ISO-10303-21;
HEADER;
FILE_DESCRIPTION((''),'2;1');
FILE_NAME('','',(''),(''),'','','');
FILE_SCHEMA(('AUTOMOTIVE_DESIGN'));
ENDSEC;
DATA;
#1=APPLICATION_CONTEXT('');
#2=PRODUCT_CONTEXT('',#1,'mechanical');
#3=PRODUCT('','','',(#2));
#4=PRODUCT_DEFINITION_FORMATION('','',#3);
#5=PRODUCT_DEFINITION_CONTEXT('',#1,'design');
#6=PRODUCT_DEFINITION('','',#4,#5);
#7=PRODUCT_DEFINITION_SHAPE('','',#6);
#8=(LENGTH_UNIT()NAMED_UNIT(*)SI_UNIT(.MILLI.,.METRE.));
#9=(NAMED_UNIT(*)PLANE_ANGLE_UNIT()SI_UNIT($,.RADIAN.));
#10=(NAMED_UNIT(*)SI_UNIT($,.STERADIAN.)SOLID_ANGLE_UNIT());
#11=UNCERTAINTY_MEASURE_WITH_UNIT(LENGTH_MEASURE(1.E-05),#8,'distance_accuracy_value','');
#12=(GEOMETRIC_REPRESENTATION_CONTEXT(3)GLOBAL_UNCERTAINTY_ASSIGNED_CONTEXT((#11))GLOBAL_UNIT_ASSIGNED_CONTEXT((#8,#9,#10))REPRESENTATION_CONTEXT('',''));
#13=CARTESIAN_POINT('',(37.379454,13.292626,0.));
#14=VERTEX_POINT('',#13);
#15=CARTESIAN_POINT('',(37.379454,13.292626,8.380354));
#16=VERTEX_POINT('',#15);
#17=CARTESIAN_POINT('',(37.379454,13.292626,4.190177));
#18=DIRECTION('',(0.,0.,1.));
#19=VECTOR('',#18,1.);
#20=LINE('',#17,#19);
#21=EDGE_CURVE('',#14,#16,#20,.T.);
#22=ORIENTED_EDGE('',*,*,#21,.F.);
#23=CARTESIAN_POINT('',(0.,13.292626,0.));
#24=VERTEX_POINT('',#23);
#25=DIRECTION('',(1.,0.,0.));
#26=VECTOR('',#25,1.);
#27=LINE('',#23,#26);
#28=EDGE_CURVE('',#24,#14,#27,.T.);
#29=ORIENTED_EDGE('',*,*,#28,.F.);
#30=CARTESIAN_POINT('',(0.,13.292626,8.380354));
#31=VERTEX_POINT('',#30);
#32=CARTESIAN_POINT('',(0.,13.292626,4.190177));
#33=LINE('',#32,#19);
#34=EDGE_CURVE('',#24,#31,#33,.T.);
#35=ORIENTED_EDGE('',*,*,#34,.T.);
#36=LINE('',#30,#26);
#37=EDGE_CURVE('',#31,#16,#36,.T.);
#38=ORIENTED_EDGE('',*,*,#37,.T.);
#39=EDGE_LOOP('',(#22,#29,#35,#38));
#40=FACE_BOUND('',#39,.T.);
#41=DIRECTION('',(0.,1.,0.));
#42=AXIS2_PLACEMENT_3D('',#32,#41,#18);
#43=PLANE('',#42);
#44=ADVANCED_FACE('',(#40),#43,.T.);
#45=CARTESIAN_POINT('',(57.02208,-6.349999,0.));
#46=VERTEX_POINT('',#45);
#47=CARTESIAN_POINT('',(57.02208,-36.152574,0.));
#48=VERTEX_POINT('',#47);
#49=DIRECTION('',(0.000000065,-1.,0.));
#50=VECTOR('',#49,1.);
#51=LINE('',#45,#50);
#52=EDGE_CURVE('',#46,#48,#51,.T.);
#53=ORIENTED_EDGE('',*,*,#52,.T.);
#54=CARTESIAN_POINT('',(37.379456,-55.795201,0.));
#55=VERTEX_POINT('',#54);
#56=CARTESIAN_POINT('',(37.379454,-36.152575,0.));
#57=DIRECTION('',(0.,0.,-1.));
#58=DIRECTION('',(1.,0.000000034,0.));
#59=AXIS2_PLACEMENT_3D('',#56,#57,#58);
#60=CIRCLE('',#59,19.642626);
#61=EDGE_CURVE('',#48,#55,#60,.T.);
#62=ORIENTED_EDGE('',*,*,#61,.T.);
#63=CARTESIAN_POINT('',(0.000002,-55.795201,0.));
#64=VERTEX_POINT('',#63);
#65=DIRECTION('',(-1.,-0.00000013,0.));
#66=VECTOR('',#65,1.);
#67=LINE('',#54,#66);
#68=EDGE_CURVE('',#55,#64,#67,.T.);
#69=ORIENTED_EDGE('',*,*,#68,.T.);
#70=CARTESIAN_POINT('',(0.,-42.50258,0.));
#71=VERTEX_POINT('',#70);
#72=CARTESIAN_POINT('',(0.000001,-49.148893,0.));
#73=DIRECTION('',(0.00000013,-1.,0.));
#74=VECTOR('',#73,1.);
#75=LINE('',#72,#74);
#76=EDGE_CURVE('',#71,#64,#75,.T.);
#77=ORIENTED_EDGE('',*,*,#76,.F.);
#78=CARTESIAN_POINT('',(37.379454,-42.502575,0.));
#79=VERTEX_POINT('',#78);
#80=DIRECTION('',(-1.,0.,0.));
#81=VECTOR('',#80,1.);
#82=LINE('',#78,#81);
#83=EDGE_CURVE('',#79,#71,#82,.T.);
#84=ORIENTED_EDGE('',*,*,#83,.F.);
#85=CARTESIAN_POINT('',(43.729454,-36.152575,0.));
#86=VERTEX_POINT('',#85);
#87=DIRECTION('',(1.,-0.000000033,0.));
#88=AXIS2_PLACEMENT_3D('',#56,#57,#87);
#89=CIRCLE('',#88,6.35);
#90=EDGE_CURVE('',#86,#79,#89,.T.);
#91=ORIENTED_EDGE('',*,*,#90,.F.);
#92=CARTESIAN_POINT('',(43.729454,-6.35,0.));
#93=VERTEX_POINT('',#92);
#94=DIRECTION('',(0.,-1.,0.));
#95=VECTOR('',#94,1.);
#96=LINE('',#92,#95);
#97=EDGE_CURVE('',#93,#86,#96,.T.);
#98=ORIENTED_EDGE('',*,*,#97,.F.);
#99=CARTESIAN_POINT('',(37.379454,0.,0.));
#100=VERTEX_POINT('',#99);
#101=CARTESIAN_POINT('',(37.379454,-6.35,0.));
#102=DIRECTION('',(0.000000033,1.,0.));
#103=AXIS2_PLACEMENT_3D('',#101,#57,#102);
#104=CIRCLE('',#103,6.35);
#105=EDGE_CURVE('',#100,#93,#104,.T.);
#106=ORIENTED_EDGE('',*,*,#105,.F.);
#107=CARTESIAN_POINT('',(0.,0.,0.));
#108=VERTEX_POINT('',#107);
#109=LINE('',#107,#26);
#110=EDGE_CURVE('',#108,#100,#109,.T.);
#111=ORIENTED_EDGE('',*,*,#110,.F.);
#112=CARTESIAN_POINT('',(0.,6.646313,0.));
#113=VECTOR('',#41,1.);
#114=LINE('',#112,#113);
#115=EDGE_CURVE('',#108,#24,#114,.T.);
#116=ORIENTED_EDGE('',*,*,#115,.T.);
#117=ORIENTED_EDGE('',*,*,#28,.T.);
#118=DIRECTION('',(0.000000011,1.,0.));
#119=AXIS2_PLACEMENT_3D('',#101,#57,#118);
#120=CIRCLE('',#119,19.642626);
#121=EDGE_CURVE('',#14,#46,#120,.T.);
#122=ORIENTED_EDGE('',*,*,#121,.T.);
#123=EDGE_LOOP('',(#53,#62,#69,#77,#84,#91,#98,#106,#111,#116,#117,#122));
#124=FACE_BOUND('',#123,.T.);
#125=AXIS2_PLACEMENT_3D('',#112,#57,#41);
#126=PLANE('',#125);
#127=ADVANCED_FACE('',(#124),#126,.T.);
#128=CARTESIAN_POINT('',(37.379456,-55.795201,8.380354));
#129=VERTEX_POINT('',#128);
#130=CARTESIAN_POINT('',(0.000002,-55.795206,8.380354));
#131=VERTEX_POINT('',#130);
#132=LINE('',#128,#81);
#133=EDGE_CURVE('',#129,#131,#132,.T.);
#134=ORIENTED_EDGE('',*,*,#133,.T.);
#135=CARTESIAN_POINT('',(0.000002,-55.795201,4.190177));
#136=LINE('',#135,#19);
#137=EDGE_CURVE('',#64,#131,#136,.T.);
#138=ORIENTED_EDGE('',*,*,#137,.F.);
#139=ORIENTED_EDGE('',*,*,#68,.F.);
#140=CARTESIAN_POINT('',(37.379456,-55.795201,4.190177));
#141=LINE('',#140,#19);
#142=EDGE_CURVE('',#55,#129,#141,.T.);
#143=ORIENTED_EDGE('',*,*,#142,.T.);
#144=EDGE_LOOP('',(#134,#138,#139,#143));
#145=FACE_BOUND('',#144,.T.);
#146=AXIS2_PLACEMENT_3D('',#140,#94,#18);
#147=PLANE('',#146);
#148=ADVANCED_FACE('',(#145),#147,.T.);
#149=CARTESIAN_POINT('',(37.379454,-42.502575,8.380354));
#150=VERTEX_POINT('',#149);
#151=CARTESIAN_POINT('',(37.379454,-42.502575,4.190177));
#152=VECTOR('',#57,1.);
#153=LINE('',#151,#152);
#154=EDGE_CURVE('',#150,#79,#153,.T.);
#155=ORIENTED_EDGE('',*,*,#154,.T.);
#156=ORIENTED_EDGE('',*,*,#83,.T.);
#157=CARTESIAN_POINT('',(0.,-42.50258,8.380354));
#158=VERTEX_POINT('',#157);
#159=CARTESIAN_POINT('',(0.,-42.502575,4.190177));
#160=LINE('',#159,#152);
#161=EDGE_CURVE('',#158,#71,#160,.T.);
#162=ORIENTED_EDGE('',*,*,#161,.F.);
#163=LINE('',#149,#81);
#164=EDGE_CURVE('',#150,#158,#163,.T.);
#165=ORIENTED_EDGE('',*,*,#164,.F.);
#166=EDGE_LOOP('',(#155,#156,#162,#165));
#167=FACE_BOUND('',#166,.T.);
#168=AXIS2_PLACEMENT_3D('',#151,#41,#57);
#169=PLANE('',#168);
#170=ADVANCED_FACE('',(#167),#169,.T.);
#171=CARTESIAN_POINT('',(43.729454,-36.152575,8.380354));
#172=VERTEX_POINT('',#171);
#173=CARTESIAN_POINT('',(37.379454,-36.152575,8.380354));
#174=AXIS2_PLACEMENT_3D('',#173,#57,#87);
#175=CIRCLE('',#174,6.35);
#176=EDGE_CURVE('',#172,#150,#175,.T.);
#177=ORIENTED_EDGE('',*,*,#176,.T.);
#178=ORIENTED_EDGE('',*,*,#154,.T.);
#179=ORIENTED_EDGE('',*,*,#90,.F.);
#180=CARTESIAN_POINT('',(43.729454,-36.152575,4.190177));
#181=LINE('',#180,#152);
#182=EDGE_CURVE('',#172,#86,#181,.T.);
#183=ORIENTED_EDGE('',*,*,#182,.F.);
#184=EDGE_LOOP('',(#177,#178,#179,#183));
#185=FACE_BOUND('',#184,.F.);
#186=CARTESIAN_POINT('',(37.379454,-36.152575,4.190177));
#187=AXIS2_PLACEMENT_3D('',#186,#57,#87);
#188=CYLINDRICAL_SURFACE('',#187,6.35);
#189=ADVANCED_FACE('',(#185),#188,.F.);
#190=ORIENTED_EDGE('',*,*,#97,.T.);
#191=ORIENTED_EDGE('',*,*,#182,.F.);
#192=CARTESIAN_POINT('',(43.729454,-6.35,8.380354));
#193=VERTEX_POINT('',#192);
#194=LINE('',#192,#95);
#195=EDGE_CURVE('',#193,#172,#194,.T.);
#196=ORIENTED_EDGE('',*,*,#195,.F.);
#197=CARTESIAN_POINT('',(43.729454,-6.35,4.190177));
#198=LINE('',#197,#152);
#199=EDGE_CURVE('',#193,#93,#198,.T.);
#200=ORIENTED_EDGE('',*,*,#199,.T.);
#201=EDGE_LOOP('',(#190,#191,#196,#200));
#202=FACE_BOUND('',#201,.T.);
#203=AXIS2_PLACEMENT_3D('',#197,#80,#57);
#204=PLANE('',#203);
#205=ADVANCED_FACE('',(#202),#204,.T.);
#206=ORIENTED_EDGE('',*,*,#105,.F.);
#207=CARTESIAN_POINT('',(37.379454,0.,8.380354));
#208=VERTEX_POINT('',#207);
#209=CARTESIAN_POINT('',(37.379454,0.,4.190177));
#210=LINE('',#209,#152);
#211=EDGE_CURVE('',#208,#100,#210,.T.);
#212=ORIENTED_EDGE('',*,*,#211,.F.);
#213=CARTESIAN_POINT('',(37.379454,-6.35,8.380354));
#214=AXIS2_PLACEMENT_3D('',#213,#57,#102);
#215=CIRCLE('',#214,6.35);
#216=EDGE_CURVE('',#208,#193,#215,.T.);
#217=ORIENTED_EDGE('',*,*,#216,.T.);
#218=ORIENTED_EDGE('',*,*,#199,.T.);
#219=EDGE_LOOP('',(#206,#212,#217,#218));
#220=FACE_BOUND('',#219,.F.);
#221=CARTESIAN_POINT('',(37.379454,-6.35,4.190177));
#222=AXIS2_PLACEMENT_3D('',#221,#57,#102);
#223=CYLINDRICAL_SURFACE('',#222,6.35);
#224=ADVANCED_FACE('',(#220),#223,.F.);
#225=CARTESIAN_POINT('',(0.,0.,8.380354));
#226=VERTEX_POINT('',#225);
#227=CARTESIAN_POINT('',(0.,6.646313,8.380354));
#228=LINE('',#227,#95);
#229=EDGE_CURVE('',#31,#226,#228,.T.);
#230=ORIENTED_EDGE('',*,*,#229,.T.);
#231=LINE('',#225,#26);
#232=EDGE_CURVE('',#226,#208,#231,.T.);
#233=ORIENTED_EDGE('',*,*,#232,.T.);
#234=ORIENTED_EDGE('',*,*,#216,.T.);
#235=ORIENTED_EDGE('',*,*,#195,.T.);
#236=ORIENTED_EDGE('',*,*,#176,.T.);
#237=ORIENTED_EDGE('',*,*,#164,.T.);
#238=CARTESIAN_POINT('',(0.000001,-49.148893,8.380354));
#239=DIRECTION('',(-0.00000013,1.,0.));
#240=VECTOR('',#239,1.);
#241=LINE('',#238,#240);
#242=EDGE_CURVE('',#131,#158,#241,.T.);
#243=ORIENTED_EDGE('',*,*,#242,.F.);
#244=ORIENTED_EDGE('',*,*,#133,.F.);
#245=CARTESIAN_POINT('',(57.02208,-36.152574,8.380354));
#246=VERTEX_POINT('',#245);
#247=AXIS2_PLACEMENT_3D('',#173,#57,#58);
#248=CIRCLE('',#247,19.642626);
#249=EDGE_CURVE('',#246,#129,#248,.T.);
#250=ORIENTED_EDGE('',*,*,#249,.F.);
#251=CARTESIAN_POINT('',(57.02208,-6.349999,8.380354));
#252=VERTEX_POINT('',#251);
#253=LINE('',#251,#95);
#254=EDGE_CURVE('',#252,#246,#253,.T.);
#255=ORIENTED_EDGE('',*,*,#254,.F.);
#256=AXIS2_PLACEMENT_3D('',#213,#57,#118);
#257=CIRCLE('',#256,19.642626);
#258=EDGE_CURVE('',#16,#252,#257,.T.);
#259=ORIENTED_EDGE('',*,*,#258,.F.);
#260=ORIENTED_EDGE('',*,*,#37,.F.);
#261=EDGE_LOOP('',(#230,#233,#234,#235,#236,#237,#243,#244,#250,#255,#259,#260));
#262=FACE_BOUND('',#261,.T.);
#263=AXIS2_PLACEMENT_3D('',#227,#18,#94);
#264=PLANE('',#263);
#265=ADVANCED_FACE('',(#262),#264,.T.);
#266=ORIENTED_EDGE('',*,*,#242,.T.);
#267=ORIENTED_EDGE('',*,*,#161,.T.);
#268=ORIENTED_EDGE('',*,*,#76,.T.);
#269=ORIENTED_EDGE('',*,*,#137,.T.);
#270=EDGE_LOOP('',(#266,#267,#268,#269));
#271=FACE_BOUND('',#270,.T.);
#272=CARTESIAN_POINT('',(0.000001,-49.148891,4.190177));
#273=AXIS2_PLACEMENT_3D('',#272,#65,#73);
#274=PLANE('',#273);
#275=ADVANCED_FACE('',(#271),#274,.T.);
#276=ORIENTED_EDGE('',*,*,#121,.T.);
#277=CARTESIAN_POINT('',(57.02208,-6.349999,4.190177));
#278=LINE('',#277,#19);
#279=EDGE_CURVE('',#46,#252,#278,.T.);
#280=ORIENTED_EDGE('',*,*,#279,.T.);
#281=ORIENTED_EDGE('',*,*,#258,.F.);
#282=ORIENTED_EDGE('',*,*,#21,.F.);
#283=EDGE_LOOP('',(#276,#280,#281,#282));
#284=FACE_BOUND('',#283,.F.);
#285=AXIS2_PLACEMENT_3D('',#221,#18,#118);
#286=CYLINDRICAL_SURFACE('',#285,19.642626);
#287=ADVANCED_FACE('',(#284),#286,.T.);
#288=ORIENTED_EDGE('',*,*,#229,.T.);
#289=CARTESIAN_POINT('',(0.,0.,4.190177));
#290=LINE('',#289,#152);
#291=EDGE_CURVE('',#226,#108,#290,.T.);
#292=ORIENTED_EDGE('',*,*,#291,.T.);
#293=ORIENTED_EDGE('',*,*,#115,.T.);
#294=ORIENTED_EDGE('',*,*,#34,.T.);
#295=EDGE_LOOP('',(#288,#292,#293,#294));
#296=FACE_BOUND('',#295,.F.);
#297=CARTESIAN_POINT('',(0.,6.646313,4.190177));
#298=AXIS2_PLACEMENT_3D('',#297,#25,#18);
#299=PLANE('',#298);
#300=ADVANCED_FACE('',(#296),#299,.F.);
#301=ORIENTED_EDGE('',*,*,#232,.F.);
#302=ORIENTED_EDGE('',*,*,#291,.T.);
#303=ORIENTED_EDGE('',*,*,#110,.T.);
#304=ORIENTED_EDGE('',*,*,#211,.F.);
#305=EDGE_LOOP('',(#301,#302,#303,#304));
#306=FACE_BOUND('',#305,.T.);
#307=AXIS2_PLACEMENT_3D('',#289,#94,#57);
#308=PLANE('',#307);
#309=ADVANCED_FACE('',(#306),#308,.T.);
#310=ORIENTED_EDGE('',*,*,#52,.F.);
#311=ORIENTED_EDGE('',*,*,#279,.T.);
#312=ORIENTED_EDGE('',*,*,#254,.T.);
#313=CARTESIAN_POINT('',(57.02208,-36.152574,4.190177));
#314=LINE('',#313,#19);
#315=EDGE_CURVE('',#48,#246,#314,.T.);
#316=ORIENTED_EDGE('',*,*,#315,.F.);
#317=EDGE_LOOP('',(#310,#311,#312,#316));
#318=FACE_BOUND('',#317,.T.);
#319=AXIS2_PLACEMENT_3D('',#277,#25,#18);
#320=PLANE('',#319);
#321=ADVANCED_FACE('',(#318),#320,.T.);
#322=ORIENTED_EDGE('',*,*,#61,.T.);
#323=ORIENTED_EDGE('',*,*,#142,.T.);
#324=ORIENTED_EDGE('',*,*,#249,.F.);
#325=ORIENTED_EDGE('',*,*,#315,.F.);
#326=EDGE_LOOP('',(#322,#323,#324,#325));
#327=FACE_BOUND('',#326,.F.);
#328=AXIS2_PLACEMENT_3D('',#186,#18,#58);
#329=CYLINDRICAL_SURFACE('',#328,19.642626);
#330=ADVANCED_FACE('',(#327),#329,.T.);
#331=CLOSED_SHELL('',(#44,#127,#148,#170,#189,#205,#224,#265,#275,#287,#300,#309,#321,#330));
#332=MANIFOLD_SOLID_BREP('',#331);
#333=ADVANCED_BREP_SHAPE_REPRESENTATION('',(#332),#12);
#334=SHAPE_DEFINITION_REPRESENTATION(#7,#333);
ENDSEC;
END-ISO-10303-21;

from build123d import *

# Parameters (mm, degrees)
F1_W = 13.292626
F1_H = 8.380354


with BuildPart() as f2:
    # F2: sweep along a path in F0
    with BuildLine(Plane.XY) as f2_path:
        Line((0, 0), (37.379454, 0))
        ThreePointArc((37.379454, 0), (41.869582, -1.859872), (43.729454, -6.35))
        Line((43.729454, -6.35), (43.729454, -36.152575))
        ThreePointArc((43.729454, -36.152575), (41.869582, -40.642703), (37.379454, -42.502575))
        Line((37.379454, -42.502575), (0, -42.502575))
    # F1 (on Right) → F2 (sweep)
    with BuildSketch(Plane.YZ):
        with Locations((6.646313, 4.190177)):
            Rectangle(F1_W, F1_H)
    sweep(path=f2_path.line)


solid = f2.part
